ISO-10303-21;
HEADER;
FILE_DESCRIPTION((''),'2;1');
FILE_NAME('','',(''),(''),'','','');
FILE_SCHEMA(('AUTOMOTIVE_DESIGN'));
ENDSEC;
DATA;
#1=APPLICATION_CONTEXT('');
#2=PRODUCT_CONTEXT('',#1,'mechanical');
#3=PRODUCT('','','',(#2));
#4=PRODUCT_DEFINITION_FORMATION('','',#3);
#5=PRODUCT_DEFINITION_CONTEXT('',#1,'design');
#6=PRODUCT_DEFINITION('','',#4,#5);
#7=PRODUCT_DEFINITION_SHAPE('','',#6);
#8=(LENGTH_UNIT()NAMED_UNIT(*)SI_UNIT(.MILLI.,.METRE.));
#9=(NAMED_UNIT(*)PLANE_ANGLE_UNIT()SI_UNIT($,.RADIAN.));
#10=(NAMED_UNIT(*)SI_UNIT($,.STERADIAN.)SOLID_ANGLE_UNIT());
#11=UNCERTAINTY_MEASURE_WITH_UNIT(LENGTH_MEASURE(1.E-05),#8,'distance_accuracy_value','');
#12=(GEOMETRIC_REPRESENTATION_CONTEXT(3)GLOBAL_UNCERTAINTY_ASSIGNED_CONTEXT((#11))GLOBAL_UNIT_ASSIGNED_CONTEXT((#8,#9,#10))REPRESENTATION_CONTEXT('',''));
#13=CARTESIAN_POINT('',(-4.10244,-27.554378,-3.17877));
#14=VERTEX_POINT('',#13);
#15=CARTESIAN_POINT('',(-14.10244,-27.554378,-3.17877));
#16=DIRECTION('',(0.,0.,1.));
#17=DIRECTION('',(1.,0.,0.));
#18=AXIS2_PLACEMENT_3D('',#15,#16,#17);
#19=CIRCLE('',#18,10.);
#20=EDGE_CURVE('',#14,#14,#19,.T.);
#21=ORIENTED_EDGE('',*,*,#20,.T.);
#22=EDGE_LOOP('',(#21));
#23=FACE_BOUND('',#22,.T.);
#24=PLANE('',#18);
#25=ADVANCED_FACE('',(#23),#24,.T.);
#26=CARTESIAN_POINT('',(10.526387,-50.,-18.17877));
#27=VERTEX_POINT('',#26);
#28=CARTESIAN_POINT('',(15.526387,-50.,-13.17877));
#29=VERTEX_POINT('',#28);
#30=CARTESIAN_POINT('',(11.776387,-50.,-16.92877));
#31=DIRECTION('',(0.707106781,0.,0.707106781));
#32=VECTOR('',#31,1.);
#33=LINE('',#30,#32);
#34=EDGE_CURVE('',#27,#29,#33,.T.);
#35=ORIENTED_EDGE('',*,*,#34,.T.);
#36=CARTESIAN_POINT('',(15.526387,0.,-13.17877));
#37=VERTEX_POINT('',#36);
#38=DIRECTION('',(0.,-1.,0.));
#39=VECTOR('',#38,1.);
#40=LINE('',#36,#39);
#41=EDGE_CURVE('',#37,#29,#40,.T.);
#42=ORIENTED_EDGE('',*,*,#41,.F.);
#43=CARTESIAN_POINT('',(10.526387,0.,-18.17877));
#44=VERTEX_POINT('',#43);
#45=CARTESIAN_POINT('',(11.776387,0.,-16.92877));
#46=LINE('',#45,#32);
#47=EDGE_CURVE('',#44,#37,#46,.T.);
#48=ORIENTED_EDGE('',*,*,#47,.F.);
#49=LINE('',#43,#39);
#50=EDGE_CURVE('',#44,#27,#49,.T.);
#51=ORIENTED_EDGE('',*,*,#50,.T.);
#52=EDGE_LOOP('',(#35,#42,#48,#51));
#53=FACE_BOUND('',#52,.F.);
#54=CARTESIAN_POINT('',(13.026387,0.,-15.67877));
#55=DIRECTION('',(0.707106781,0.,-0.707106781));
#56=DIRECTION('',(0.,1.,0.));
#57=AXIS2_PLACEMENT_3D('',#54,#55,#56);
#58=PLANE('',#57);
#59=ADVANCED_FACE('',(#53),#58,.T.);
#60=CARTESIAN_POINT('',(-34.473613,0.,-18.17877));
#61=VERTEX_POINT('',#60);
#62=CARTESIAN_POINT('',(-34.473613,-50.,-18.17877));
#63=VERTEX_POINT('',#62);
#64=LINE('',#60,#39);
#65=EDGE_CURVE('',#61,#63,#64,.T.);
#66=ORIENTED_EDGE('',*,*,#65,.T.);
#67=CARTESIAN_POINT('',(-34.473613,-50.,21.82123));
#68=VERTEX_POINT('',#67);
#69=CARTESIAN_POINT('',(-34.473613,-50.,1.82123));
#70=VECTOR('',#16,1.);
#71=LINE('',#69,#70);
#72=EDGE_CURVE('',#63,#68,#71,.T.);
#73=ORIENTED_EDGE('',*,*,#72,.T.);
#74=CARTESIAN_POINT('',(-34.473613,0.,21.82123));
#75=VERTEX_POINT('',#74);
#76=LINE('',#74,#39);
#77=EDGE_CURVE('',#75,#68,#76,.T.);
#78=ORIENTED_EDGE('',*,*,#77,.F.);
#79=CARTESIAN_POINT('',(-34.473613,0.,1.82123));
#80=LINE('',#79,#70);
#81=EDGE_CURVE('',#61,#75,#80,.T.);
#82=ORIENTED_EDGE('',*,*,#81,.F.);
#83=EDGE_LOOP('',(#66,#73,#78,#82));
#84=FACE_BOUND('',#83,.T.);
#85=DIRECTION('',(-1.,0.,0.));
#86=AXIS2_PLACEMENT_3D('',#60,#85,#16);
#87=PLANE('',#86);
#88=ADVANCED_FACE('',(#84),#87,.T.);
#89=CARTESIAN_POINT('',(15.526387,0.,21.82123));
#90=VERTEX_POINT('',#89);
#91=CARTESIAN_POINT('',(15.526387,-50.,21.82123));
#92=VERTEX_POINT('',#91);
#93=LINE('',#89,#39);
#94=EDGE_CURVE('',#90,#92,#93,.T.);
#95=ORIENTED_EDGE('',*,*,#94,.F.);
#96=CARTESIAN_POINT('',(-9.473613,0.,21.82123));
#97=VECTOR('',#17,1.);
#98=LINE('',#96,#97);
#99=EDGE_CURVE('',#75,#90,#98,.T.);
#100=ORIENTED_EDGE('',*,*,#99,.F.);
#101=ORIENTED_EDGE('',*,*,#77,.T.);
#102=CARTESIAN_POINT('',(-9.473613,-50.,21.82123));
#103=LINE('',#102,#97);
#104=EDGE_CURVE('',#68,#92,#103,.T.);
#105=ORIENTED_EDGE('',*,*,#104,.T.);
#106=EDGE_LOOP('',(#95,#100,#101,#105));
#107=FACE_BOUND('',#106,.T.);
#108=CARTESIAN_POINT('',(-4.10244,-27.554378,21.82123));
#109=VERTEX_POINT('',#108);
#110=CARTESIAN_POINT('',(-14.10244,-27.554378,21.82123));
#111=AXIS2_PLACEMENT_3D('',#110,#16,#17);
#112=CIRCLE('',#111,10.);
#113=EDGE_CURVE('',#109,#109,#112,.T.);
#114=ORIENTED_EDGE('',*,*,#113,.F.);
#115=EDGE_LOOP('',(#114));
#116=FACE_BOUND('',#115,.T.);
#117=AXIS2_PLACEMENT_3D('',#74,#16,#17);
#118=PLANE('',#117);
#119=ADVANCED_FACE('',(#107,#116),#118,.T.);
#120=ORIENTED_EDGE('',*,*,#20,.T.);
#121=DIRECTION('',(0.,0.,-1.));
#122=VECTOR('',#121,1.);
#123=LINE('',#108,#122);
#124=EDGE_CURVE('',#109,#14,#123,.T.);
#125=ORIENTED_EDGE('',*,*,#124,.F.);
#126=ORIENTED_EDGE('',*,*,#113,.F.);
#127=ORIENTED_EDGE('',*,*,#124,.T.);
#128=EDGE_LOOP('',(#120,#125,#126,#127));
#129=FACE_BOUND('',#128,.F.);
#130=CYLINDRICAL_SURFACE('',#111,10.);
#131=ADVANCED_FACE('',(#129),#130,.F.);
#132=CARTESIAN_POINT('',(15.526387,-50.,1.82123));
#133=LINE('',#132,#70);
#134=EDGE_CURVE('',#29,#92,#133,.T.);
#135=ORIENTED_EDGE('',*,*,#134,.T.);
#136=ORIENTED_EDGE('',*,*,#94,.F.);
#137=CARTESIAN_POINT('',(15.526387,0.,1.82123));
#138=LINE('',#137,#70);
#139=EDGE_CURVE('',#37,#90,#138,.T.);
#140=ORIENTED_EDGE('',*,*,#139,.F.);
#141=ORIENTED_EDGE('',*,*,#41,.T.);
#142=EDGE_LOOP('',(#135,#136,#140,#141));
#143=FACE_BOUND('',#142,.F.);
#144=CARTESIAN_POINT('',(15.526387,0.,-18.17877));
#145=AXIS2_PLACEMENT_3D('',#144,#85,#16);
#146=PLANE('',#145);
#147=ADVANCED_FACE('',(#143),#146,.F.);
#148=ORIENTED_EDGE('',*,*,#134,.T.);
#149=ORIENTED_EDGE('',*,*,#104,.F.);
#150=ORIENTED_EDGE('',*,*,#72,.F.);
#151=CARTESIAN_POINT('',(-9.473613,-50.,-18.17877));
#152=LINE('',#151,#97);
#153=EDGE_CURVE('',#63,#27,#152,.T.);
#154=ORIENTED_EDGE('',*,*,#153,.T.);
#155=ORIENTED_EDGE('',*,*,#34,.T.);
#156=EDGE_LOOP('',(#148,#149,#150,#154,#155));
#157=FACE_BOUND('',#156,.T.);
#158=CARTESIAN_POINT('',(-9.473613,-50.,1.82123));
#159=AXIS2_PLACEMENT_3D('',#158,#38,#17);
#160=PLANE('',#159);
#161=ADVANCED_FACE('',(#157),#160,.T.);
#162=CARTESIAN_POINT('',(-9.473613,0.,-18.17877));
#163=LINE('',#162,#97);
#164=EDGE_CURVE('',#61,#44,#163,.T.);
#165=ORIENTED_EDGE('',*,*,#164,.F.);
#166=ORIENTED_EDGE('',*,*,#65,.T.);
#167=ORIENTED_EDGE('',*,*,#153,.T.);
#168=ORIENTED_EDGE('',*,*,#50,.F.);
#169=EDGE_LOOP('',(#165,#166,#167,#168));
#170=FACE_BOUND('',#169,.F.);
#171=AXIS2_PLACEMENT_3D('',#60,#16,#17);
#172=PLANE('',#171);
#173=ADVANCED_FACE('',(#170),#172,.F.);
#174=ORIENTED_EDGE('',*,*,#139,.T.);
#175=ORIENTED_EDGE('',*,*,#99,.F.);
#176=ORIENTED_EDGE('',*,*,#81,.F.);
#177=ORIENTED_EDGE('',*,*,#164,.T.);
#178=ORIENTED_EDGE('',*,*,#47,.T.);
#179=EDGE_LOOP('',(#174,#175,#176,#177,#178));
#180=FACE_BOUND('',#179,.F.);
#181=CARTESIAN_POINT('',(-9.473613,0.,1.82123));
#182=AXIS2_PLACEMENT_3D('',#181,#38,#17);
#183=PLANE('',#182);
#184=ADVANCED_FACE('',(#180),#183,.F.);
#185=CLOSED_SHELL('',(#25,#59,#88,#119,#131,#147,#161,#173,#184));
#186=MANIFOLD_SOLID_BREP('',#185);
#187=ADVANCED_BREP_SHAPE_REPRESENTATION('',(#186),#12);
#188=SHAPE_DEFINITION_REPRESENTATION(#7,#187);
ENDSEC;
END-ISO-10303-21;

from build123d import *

# Parameters (mm, degrees)
F0_W     = 50
F0_H     = 40
F1_DEPTH = 50
F2_R     = 10
F3_DEPTH = 25
F4_SIZE  = 5


with BuildPart() as f1:
    # F0 (on Front) → F1 (new body)
    with BuildSketch(Plane.XZ):
        with Locations((-9.473613, 1.82123)):
            Rectangle(F0_W, F0_H)
    extrude(amount=F1_DEPTH)

    # F2 (on face) → F3 (cut)
    with BuildSketch(Plane.XY.offset(21.82123)):
        with Locations((-14.10244, -27.554378)):
            Circle(F2_R)
    extrude(amount=-F3_DEPTH, mode=Mode.SUBTRACT)

    # F4
    f4_edges = [f1.edges().sort_by_distance(p)[0] for p in [
        (15.526387, -25, -18.17877),
    ]]
    chamfer(f4_edges, length=F4_SIZE)


solid = f1.part
